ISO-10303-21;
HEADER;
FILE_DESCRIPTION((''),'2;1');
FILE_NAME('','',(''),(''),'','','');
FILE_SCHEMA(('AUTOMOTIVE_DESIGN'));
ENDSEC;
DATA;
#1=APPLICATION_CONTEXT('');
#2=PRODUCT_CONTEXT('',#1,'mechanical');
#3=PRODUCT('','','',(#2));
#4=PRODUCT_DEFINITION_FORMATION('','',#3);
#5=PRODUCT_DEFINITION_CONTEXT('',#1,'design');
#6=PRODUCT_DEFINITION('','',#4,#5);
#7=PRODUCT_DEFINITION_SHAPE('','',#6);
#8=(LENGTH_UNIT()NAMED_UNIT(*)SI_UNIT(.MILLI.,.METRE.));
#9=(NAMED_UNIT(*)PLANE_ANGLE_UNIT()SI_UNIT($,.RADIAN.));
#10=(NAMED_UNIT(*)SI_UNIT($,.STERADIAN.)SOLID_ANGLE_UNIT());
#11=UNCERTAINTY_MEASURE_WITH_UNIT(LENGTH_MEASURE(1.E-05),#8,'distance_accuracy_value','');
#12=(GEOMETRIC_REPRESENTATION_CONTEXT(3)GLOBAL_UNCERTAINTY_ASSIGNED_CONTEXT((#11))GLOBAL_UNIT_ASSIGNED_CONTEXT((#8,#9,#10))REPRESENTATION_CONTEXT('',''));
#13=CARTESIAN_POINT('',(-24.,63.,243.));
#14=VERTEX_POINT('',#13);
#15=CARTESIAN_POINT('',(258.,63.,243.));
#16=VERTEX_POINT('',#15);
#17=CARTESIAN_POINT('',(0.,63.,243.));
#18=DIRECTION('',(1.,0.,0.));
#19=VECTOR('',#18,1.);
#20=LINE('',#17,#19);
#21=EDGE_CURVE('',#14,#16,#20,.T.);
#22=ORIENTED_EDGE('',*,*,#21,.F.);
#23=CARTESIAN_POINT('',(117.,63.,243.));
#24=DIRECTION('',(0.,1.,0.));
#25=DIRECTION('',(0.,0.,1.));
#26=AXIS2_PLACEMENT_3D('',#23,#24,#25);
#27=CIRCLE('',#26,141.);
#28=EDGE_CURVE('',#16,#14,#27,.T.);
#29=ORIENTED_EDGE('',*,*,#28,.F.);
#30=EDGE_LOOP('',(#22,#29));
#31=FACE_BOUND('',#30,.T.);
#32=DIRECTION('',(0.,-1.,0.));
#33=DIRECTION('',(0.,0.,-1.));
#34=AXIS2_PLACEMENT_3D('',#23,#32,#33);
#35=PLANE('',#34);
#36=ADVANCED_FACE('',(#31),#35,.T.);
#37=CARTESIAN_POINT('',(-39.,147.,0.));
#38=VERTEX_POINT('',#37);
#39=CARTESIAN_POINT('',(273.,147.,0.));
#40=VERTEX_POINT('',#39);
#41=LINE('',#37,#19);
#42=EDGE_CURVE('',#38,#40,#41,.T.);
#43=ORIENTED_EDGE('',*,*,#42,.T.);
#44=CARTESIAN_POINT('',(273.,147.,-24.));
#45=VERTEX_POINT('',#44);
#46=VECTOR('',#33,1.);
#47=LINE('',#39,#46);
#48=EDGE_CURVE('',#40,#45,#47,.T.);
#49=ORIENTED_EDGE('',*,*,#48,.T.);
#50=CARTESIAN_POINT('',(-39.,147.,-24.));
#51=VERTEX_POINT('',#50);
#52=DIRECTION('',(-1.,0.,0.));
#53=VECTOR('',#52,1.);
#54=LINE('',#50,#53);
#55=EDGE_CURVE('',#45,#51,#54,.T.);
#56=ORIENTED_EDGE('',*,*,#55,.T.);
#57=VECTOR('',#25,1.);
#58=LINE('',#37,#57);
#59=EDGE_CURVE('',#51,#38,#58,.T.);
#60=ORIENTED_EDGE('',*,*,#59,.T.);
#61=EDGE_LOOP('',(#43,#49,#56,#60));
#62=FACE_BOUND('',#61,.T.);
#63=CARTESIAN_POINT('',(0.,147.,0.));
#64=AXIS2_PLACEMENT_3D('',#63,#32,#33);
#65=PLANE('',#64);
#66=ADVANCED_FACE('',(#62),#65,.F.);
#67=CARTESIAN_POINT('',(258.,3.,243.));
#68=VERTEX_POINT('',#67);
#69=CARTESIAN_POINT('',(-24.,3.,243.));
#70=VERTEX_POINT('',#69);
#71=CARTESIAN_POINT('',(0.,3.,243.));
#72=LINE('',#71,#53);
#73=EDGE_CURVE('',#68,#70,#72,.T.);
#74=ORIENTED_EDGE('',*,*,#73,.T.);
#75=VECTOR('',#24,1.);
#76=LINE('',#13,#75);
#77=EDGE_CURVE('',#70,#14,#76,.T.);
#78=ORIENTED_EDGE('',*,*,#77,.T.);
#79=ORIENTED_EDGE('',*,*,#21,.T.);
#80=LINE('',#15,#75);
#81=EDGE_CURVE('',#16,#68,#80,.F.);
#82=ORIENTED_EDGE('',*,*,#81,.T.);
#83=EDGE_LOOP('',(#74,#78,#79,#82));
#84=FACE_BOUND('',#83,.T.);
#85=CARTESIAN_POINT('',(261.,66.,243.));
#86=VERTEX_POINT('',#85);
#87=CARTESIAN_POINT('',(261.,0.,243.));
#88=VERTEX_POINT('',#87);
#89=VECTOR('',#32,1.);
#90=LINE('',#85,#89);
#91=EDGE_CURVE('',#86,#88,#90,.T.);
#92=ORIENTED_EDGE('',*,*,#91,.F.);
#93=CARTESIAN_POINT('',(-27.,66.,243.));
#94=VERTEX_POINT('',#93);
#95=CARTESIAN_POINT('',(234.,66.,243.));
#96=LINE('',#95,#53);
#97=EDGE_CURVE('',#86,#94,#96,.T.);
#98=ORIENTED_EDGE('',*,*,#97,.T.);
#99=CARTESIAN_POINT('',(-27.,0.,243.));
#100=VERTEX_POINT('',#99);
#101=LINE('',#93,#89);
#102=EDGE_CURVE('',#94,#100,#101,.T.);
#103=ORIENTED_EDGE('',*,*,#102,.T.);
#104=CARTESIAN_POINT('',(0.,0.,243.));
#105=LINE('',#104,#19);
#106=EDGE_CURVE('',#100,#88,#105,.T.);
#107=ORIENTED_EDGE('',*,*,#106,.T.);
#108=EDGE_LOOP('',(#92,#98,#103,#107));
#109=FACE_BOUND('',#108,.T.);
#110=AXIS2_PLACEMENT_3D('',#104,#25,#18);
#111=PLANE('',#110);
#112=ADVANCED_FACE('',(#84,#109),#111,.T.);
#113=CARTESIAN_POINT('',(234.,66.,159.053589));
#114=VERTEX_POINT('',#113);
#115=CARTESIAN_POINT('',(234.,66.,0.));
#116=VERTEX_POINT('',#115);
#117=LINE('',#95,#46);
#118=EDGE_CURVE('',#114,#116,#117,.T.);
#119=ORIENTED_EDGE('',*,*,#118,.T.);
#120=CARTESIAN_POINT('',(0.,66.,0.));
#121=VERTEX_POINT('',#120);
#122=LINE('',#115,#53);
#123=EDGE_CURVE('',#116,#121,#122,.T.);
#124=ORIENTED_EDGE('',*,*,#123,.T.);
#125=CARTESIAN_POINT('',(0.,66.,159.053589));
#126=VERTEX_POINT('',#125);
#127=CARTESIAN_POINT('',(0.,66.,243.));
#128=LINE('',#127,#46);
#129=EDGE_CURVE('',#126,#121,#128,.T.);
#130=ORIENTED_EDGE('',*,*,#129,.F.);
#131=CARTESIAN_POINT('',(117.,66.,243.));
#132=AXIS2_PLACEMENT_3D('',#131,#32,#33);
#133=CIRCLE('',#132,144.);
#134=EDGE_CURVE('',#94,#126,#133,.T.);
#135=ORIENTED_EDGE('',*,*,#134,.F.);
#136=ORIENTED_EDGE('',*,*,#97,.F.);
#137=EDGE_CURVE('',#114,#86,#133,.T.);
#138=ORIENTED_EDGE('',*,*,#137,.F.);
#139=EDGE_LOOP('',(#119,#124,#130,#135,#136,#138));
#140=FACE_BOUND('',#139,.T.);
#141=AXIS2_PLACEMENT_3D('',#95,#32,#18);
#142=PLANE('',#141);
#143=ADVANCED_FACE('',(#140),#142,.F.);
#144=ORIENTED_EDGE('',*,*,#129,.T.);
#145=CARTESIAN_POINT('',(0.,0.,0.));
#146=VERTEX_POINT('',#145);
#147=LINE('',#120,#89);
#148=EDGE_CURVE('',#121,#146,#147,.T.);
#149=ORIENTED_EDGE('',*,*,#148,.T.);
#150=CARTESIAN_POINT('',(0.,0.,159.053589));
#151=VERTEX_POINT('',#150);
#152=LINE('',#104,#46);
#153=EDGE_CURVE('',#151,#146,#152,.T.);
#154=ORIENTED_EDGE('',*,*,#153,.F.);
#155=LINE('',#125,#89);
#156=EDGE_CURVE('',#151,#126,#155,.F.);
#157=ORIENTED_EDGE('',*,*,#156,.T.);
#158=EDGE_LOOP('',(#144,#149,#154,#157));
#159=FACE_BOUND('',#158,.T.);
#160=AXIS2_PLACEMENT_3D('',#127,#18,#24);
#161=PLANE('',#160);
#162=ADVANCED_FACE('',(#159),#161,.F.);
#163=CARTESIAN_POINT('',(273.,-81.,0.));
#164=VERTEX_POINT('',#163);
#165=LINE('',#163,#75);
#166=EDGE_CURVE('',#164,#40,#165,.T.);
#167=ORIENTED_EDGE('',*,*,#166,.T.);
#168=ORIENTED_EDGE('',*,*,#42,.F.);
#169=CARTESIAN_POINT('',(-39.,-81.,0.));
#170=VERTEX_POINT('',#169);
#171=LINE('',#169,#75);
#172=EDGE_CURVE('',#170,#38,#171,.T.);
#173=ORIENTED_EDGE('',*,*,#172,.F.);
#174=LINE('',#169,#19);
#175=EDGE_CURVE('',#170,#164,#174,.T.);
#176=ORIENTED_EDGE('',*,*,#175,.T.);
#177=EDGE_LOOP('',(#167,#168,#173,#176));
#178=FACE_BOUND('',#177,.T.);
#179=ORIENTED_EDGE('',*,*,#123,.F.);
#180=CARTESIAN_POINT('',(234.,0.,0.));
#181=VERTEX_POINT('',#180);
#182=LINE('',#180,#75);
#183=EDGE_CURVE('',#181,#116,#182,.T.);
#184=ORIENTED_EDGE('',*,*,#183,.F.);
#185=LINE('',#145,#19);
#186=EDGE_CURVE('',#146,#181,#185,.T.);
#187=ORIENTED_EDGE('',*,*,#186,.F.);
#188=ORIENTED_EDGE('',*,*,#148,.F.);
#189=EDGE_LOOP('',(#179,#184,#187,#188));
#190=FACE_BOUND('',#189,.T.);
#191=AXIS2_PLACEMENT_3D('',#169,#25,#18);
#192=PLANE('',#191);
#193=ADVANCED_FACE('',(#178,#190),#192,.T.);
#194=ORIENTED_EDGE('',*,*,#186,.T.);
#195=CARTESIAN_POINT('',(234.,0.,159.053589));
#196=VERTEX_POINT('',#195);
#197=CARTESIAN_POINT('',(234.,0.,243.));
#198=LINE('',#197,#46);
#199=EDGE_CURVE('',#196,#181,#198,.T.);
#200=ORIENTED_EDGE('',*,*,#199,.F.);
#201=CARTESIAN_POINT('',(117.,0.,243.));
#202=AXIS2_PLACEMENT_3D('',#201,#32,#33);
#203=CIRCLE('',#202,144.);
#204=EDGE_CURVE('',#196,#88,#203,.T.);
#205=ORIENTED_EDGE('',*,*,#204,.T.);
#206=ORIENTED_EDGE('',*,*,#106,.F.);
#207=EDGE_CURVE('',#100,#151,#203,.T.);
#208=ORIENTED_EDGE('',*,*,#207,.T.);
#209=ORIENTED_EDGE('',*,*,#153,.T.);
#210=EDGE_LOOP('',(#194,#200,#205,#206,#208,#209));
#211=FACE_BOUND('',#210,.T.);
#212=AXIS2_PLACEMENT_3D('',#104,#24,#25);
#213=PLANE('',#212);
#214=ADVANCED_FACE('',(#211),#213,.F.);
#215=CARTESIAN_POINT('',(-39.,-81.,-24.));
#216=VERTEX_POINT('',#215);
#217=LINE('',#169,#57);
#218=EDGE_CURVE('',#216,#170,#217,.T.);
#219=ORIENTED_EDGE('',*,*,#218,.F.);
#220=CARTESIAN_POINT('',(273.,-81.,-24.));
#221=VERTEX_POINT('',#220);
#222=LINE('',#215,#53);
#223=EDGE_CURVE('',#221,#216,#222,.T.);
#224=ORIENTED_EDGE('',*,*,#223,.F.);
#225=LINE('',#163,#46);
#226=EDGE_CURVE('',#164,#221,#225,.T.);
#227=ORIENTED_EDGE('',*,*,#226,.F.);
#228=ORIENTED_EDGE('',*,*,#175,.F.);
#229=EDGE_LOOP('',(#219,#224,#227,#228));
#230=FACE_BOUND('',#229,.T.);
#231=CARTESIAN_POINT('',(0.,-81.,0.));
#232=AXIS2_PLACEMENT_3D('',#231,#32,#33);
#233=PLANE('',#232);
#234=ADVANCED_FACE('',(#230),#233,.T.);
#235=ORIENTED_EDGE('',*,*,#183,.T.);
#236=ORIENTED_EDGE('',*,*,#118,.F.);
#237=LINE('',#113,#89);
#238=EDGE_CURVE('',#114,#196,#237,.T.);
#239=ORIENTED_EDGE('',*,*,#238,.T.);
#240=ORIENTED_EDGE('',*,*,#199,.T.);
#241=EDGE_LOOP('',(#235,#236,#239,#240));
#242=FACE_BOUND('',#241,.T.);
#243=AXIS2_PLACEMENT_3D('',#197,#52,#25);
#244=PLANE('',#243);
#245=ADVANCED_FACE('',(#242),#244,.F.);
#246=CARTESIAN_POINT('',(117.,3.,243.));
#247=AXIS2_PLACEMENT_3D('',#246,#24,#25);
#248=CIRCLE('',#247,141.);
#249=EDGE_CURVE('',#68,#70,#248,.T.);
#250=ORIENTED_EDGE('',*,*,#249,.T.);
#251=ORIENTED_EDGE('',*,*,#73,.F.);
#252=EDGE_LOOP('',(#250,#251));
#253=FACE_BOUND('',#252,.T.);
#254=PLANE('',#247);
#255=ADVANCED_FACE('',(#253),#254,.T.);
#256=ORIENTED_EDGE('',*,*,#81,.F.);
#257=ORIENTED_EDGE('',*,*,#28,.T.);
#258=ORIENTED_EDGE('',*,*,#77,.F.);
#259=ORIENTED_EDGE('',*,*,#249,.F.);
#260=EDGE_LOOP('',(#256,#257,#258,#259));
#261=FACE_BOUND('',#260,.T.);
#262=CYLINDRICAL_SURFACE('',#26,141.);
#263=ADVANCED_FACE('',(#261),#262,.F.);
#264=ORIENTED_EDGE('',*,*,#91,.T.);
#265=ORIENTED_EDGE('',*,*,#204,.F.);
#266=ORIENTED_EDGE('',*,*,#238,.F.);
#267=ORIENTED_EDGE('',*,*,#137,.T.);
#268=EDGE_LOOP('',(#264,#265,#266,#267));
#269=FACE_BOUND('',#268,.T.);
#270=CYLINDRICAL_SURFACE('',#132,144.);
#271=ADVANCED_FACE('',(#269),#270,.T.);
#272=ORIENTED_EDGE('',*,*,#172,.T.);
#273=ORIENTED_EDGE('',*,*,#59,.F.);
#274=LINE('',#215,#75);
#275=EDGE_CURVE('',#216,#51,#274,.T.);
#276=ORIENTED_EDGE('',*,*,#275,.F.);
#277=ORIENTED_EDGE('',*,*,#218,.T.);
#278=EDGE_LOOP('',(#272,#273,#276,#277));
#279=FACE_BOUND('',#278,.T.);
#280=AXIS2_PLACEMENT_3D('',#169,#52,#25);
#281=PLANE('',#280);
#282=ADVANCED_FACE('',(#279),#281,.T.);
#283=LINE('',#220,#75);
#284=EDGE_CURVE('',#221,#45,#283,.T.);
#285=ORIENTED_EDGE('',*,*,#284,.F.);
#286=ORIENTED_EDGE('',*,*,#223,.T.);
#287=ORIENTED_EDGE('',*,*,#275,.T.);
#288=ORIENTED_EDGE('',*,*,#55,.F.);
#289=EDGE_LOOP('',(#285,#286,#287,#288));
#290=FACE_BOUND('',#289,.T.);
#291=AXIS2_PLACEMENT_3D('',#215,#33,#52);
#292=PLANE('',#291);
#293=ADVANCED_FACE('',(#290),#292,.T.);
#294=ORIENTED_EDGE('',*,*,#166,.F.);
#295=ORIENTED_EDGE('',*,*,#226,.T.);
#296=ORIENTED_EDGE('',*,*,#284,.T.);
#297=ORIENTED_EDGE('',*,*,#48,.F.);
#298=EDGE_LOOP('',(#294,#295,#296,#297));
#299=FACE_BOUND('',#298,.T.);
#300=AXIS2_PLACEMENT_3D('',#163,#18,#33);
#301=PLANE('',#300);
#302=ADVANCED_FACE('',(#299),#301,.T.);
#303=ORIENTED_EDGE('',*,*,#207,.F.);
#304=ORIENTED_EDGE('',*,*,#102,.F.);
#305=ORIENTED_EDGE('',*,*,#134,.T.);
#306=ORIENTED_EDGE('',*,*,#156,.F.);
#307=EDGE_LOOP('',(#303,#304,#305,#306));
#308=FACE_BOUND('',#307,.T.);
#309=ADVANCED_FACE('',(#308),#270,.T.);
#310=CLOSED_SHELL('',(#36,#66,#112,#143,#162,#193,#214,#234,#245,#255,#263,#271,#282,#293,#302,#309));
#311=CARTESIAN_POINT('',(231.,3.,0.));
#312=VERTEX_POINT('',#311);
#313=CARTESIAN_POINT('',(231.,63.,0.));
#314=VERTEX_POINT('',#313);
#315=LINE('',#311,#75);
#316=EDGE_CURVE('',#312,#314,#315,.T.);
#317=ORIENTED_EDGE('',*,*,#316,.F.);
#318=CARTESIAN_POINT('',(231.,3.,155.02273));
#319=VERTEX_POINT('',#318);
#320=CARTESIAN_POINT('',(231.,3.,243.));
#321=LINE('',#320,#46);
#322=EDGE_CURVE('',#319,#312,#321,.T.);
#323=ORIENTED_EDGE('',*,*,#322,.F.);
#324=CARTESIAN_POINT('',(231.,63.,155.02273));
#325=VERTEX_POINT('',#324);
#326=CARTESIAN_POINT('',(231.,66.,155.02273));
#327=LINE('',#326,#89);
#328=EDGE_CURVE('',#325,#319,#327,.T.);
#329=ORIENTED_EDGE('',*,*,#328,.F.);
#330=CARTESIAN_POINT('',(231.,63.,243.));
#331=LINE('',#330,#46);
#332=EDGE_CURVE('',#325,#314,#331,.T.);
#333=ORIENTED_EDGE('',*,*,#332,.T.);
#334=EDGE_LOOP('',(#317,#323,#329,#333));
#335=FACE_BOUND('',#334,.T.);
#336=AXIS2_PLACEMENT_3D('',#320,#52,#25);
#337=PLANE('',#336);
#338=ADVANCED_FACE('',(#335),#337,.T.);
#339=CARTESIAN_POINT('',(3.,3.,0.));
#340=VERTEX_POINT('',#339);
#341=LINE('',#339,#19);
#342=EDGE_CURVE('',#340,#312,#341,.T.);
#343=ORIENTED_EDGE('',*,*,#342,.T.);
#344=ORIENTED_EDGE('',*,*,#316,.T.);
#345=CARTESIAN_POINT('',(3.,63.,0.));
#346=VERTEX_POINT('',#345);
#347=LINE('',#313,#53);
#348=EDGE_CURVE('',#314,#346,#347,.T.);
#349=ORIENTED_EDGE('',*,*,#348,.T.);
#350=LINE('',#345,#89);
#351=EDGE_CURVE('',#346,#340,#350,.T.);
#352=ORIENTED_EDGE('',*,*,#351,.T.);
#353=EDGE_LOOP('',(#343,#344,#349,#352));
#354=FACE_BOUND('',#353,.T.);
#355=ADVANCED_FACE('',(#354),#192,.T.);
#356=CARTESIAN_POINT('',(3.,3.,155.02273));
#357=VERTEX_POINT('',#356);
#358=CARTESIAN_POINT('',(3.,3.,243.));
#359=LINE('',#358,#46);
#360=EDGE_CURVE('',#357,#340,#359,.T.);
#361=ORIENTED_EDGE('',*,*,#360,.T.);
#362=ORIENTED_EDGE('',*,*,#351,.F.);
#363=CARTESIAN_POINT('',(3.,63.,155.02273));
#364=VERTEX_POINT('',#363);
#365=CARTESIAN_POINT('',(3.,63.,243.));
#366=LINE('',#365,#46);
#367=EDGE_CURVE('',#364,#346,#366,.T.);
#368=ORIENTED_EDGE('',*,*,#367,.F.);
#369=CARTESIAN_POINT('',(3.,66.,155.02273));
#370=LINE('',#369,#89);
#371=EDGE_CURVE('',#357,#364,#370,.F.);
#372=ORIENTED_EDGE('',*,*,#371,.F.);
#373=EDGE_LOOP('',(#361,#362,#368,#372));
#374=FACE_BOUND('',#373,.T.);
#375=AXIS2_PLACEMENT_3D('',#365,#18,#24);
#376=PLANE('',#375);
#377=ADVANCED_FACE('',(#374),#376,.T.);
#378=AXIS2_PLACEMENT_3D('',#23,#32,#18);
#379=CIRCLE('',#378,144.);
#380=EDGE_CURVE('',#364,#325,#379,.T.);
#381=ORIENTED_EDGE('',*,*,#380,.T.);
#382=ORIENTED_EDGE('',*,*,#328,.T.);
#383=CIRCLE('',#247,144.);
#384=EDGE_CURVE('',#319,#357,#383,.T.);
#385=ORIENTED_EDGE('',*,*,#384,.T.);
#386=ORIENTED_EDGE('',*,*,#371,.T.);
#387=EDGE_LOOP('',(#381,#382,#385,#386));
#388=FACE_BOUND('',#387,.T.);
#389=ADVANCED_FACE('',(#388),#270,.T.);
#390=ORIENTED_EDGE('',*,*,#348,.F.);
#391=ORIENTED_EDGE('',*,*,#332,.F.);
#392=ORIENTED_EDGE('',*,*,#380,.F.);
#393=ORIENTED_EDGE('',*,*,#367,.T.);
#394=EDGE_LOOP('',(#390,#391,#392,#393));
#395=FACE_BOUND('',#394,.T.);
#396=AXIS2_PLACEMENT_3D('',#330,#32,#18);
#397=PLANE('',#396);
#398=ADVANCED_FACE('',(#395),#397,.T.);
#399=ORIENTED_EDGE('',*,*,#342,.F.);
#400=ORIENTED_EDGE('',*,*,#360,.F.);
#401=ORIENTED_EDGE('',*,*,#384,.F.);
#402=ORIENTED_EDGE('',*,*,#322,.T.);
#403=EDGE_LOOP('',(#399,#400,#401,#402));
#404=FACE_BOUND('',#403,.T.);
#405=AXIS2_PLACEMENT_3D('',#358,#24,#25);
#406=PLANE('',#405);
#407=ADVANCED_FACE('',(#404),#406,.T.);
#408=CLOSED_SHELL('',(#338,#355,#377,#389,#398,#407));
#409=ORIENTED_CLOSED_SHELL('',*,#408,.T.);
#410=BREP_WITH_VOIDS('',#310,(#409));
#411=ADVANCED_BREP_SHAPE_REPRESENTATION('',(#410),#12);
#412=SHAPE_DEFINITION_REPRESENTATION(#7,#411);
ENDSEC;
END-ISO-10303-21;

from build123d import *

# Parameters (mm, degrees)
SKETCH1_W                = 234
SKETCH1_H                = 66
SKETCH1_W_2              = 228
SKETCH1_H_2              = 60
BOSS_EXTRUDE1_DEPTH      = 243
BOSS_EXTRUDE2_DEPTH      = 66
SKETCH3_W                = 141
SKETCH3_H                = 60
SKETCH4_W                = 312
SKETCH4_H                = 24
BOSS_EXTRUDE3_DEPTH      = 147
BOSS_EXTRUDE3_DEPTH_BACK = 81


with BuildPart() as part:
    # Sketch1 → Boss-Extrude1 (new body)
    with BuildSketch(Plane.XY):
        with Locations((117, 33)):
            Rectangle(SKETCH1_W, SKETCH1_H)
        with Locations((117, 33)):
            Rectangle(SKETCH1_W_2, SKETCH1_H_2, mode=Mode.SUBTRACT)
    extrude(amount=BOSS_EXTRUDE1_DEPTH)

    # Sketch2 → Boss-Extrude2 (add)
    with BuildSketch(Plane.XZ):
        with BuildLine():
            Line((-27, 243), (261, 243))
            ThreePointArc((261, 243), (117, 99), (-27, 243))
        make_face()
    extrude(amount=-BOSS_EXTRUDE2_DEPTH)

    # Sketch3 → Cut-Revolve1 (revolve, cut)
    with BuildSketch(Plane.XY.offset(243)):
        with Locations((187.5, 33)):
            Rectangle(SKETCH3_W, SKETCH3_H)
    revolve(axis=Axis((117, 63, 243), (0, -1, 0)), mode=Mode.SUBTRACT)

    # Sketch4 → Boss-Extrude3 (add, two sides)
    with BuildSketch(Plane(origin=(0, 0, 0), x_dir=(1, 0, 0), z_dir=(0, 1, 0))) as boss_extrude3_sk:
        with Locations((117, 12)):
            Rectangle(SKETCH4_W, SKETCH4_H)
    extrude(amount=BOSS_EXTRUDE3_DEPTH)
    extrude(boss_extrude3_sk.sketch, amount=-BOSS_EXTRUDE3_DEPTH_BACK)


solid = part.part
